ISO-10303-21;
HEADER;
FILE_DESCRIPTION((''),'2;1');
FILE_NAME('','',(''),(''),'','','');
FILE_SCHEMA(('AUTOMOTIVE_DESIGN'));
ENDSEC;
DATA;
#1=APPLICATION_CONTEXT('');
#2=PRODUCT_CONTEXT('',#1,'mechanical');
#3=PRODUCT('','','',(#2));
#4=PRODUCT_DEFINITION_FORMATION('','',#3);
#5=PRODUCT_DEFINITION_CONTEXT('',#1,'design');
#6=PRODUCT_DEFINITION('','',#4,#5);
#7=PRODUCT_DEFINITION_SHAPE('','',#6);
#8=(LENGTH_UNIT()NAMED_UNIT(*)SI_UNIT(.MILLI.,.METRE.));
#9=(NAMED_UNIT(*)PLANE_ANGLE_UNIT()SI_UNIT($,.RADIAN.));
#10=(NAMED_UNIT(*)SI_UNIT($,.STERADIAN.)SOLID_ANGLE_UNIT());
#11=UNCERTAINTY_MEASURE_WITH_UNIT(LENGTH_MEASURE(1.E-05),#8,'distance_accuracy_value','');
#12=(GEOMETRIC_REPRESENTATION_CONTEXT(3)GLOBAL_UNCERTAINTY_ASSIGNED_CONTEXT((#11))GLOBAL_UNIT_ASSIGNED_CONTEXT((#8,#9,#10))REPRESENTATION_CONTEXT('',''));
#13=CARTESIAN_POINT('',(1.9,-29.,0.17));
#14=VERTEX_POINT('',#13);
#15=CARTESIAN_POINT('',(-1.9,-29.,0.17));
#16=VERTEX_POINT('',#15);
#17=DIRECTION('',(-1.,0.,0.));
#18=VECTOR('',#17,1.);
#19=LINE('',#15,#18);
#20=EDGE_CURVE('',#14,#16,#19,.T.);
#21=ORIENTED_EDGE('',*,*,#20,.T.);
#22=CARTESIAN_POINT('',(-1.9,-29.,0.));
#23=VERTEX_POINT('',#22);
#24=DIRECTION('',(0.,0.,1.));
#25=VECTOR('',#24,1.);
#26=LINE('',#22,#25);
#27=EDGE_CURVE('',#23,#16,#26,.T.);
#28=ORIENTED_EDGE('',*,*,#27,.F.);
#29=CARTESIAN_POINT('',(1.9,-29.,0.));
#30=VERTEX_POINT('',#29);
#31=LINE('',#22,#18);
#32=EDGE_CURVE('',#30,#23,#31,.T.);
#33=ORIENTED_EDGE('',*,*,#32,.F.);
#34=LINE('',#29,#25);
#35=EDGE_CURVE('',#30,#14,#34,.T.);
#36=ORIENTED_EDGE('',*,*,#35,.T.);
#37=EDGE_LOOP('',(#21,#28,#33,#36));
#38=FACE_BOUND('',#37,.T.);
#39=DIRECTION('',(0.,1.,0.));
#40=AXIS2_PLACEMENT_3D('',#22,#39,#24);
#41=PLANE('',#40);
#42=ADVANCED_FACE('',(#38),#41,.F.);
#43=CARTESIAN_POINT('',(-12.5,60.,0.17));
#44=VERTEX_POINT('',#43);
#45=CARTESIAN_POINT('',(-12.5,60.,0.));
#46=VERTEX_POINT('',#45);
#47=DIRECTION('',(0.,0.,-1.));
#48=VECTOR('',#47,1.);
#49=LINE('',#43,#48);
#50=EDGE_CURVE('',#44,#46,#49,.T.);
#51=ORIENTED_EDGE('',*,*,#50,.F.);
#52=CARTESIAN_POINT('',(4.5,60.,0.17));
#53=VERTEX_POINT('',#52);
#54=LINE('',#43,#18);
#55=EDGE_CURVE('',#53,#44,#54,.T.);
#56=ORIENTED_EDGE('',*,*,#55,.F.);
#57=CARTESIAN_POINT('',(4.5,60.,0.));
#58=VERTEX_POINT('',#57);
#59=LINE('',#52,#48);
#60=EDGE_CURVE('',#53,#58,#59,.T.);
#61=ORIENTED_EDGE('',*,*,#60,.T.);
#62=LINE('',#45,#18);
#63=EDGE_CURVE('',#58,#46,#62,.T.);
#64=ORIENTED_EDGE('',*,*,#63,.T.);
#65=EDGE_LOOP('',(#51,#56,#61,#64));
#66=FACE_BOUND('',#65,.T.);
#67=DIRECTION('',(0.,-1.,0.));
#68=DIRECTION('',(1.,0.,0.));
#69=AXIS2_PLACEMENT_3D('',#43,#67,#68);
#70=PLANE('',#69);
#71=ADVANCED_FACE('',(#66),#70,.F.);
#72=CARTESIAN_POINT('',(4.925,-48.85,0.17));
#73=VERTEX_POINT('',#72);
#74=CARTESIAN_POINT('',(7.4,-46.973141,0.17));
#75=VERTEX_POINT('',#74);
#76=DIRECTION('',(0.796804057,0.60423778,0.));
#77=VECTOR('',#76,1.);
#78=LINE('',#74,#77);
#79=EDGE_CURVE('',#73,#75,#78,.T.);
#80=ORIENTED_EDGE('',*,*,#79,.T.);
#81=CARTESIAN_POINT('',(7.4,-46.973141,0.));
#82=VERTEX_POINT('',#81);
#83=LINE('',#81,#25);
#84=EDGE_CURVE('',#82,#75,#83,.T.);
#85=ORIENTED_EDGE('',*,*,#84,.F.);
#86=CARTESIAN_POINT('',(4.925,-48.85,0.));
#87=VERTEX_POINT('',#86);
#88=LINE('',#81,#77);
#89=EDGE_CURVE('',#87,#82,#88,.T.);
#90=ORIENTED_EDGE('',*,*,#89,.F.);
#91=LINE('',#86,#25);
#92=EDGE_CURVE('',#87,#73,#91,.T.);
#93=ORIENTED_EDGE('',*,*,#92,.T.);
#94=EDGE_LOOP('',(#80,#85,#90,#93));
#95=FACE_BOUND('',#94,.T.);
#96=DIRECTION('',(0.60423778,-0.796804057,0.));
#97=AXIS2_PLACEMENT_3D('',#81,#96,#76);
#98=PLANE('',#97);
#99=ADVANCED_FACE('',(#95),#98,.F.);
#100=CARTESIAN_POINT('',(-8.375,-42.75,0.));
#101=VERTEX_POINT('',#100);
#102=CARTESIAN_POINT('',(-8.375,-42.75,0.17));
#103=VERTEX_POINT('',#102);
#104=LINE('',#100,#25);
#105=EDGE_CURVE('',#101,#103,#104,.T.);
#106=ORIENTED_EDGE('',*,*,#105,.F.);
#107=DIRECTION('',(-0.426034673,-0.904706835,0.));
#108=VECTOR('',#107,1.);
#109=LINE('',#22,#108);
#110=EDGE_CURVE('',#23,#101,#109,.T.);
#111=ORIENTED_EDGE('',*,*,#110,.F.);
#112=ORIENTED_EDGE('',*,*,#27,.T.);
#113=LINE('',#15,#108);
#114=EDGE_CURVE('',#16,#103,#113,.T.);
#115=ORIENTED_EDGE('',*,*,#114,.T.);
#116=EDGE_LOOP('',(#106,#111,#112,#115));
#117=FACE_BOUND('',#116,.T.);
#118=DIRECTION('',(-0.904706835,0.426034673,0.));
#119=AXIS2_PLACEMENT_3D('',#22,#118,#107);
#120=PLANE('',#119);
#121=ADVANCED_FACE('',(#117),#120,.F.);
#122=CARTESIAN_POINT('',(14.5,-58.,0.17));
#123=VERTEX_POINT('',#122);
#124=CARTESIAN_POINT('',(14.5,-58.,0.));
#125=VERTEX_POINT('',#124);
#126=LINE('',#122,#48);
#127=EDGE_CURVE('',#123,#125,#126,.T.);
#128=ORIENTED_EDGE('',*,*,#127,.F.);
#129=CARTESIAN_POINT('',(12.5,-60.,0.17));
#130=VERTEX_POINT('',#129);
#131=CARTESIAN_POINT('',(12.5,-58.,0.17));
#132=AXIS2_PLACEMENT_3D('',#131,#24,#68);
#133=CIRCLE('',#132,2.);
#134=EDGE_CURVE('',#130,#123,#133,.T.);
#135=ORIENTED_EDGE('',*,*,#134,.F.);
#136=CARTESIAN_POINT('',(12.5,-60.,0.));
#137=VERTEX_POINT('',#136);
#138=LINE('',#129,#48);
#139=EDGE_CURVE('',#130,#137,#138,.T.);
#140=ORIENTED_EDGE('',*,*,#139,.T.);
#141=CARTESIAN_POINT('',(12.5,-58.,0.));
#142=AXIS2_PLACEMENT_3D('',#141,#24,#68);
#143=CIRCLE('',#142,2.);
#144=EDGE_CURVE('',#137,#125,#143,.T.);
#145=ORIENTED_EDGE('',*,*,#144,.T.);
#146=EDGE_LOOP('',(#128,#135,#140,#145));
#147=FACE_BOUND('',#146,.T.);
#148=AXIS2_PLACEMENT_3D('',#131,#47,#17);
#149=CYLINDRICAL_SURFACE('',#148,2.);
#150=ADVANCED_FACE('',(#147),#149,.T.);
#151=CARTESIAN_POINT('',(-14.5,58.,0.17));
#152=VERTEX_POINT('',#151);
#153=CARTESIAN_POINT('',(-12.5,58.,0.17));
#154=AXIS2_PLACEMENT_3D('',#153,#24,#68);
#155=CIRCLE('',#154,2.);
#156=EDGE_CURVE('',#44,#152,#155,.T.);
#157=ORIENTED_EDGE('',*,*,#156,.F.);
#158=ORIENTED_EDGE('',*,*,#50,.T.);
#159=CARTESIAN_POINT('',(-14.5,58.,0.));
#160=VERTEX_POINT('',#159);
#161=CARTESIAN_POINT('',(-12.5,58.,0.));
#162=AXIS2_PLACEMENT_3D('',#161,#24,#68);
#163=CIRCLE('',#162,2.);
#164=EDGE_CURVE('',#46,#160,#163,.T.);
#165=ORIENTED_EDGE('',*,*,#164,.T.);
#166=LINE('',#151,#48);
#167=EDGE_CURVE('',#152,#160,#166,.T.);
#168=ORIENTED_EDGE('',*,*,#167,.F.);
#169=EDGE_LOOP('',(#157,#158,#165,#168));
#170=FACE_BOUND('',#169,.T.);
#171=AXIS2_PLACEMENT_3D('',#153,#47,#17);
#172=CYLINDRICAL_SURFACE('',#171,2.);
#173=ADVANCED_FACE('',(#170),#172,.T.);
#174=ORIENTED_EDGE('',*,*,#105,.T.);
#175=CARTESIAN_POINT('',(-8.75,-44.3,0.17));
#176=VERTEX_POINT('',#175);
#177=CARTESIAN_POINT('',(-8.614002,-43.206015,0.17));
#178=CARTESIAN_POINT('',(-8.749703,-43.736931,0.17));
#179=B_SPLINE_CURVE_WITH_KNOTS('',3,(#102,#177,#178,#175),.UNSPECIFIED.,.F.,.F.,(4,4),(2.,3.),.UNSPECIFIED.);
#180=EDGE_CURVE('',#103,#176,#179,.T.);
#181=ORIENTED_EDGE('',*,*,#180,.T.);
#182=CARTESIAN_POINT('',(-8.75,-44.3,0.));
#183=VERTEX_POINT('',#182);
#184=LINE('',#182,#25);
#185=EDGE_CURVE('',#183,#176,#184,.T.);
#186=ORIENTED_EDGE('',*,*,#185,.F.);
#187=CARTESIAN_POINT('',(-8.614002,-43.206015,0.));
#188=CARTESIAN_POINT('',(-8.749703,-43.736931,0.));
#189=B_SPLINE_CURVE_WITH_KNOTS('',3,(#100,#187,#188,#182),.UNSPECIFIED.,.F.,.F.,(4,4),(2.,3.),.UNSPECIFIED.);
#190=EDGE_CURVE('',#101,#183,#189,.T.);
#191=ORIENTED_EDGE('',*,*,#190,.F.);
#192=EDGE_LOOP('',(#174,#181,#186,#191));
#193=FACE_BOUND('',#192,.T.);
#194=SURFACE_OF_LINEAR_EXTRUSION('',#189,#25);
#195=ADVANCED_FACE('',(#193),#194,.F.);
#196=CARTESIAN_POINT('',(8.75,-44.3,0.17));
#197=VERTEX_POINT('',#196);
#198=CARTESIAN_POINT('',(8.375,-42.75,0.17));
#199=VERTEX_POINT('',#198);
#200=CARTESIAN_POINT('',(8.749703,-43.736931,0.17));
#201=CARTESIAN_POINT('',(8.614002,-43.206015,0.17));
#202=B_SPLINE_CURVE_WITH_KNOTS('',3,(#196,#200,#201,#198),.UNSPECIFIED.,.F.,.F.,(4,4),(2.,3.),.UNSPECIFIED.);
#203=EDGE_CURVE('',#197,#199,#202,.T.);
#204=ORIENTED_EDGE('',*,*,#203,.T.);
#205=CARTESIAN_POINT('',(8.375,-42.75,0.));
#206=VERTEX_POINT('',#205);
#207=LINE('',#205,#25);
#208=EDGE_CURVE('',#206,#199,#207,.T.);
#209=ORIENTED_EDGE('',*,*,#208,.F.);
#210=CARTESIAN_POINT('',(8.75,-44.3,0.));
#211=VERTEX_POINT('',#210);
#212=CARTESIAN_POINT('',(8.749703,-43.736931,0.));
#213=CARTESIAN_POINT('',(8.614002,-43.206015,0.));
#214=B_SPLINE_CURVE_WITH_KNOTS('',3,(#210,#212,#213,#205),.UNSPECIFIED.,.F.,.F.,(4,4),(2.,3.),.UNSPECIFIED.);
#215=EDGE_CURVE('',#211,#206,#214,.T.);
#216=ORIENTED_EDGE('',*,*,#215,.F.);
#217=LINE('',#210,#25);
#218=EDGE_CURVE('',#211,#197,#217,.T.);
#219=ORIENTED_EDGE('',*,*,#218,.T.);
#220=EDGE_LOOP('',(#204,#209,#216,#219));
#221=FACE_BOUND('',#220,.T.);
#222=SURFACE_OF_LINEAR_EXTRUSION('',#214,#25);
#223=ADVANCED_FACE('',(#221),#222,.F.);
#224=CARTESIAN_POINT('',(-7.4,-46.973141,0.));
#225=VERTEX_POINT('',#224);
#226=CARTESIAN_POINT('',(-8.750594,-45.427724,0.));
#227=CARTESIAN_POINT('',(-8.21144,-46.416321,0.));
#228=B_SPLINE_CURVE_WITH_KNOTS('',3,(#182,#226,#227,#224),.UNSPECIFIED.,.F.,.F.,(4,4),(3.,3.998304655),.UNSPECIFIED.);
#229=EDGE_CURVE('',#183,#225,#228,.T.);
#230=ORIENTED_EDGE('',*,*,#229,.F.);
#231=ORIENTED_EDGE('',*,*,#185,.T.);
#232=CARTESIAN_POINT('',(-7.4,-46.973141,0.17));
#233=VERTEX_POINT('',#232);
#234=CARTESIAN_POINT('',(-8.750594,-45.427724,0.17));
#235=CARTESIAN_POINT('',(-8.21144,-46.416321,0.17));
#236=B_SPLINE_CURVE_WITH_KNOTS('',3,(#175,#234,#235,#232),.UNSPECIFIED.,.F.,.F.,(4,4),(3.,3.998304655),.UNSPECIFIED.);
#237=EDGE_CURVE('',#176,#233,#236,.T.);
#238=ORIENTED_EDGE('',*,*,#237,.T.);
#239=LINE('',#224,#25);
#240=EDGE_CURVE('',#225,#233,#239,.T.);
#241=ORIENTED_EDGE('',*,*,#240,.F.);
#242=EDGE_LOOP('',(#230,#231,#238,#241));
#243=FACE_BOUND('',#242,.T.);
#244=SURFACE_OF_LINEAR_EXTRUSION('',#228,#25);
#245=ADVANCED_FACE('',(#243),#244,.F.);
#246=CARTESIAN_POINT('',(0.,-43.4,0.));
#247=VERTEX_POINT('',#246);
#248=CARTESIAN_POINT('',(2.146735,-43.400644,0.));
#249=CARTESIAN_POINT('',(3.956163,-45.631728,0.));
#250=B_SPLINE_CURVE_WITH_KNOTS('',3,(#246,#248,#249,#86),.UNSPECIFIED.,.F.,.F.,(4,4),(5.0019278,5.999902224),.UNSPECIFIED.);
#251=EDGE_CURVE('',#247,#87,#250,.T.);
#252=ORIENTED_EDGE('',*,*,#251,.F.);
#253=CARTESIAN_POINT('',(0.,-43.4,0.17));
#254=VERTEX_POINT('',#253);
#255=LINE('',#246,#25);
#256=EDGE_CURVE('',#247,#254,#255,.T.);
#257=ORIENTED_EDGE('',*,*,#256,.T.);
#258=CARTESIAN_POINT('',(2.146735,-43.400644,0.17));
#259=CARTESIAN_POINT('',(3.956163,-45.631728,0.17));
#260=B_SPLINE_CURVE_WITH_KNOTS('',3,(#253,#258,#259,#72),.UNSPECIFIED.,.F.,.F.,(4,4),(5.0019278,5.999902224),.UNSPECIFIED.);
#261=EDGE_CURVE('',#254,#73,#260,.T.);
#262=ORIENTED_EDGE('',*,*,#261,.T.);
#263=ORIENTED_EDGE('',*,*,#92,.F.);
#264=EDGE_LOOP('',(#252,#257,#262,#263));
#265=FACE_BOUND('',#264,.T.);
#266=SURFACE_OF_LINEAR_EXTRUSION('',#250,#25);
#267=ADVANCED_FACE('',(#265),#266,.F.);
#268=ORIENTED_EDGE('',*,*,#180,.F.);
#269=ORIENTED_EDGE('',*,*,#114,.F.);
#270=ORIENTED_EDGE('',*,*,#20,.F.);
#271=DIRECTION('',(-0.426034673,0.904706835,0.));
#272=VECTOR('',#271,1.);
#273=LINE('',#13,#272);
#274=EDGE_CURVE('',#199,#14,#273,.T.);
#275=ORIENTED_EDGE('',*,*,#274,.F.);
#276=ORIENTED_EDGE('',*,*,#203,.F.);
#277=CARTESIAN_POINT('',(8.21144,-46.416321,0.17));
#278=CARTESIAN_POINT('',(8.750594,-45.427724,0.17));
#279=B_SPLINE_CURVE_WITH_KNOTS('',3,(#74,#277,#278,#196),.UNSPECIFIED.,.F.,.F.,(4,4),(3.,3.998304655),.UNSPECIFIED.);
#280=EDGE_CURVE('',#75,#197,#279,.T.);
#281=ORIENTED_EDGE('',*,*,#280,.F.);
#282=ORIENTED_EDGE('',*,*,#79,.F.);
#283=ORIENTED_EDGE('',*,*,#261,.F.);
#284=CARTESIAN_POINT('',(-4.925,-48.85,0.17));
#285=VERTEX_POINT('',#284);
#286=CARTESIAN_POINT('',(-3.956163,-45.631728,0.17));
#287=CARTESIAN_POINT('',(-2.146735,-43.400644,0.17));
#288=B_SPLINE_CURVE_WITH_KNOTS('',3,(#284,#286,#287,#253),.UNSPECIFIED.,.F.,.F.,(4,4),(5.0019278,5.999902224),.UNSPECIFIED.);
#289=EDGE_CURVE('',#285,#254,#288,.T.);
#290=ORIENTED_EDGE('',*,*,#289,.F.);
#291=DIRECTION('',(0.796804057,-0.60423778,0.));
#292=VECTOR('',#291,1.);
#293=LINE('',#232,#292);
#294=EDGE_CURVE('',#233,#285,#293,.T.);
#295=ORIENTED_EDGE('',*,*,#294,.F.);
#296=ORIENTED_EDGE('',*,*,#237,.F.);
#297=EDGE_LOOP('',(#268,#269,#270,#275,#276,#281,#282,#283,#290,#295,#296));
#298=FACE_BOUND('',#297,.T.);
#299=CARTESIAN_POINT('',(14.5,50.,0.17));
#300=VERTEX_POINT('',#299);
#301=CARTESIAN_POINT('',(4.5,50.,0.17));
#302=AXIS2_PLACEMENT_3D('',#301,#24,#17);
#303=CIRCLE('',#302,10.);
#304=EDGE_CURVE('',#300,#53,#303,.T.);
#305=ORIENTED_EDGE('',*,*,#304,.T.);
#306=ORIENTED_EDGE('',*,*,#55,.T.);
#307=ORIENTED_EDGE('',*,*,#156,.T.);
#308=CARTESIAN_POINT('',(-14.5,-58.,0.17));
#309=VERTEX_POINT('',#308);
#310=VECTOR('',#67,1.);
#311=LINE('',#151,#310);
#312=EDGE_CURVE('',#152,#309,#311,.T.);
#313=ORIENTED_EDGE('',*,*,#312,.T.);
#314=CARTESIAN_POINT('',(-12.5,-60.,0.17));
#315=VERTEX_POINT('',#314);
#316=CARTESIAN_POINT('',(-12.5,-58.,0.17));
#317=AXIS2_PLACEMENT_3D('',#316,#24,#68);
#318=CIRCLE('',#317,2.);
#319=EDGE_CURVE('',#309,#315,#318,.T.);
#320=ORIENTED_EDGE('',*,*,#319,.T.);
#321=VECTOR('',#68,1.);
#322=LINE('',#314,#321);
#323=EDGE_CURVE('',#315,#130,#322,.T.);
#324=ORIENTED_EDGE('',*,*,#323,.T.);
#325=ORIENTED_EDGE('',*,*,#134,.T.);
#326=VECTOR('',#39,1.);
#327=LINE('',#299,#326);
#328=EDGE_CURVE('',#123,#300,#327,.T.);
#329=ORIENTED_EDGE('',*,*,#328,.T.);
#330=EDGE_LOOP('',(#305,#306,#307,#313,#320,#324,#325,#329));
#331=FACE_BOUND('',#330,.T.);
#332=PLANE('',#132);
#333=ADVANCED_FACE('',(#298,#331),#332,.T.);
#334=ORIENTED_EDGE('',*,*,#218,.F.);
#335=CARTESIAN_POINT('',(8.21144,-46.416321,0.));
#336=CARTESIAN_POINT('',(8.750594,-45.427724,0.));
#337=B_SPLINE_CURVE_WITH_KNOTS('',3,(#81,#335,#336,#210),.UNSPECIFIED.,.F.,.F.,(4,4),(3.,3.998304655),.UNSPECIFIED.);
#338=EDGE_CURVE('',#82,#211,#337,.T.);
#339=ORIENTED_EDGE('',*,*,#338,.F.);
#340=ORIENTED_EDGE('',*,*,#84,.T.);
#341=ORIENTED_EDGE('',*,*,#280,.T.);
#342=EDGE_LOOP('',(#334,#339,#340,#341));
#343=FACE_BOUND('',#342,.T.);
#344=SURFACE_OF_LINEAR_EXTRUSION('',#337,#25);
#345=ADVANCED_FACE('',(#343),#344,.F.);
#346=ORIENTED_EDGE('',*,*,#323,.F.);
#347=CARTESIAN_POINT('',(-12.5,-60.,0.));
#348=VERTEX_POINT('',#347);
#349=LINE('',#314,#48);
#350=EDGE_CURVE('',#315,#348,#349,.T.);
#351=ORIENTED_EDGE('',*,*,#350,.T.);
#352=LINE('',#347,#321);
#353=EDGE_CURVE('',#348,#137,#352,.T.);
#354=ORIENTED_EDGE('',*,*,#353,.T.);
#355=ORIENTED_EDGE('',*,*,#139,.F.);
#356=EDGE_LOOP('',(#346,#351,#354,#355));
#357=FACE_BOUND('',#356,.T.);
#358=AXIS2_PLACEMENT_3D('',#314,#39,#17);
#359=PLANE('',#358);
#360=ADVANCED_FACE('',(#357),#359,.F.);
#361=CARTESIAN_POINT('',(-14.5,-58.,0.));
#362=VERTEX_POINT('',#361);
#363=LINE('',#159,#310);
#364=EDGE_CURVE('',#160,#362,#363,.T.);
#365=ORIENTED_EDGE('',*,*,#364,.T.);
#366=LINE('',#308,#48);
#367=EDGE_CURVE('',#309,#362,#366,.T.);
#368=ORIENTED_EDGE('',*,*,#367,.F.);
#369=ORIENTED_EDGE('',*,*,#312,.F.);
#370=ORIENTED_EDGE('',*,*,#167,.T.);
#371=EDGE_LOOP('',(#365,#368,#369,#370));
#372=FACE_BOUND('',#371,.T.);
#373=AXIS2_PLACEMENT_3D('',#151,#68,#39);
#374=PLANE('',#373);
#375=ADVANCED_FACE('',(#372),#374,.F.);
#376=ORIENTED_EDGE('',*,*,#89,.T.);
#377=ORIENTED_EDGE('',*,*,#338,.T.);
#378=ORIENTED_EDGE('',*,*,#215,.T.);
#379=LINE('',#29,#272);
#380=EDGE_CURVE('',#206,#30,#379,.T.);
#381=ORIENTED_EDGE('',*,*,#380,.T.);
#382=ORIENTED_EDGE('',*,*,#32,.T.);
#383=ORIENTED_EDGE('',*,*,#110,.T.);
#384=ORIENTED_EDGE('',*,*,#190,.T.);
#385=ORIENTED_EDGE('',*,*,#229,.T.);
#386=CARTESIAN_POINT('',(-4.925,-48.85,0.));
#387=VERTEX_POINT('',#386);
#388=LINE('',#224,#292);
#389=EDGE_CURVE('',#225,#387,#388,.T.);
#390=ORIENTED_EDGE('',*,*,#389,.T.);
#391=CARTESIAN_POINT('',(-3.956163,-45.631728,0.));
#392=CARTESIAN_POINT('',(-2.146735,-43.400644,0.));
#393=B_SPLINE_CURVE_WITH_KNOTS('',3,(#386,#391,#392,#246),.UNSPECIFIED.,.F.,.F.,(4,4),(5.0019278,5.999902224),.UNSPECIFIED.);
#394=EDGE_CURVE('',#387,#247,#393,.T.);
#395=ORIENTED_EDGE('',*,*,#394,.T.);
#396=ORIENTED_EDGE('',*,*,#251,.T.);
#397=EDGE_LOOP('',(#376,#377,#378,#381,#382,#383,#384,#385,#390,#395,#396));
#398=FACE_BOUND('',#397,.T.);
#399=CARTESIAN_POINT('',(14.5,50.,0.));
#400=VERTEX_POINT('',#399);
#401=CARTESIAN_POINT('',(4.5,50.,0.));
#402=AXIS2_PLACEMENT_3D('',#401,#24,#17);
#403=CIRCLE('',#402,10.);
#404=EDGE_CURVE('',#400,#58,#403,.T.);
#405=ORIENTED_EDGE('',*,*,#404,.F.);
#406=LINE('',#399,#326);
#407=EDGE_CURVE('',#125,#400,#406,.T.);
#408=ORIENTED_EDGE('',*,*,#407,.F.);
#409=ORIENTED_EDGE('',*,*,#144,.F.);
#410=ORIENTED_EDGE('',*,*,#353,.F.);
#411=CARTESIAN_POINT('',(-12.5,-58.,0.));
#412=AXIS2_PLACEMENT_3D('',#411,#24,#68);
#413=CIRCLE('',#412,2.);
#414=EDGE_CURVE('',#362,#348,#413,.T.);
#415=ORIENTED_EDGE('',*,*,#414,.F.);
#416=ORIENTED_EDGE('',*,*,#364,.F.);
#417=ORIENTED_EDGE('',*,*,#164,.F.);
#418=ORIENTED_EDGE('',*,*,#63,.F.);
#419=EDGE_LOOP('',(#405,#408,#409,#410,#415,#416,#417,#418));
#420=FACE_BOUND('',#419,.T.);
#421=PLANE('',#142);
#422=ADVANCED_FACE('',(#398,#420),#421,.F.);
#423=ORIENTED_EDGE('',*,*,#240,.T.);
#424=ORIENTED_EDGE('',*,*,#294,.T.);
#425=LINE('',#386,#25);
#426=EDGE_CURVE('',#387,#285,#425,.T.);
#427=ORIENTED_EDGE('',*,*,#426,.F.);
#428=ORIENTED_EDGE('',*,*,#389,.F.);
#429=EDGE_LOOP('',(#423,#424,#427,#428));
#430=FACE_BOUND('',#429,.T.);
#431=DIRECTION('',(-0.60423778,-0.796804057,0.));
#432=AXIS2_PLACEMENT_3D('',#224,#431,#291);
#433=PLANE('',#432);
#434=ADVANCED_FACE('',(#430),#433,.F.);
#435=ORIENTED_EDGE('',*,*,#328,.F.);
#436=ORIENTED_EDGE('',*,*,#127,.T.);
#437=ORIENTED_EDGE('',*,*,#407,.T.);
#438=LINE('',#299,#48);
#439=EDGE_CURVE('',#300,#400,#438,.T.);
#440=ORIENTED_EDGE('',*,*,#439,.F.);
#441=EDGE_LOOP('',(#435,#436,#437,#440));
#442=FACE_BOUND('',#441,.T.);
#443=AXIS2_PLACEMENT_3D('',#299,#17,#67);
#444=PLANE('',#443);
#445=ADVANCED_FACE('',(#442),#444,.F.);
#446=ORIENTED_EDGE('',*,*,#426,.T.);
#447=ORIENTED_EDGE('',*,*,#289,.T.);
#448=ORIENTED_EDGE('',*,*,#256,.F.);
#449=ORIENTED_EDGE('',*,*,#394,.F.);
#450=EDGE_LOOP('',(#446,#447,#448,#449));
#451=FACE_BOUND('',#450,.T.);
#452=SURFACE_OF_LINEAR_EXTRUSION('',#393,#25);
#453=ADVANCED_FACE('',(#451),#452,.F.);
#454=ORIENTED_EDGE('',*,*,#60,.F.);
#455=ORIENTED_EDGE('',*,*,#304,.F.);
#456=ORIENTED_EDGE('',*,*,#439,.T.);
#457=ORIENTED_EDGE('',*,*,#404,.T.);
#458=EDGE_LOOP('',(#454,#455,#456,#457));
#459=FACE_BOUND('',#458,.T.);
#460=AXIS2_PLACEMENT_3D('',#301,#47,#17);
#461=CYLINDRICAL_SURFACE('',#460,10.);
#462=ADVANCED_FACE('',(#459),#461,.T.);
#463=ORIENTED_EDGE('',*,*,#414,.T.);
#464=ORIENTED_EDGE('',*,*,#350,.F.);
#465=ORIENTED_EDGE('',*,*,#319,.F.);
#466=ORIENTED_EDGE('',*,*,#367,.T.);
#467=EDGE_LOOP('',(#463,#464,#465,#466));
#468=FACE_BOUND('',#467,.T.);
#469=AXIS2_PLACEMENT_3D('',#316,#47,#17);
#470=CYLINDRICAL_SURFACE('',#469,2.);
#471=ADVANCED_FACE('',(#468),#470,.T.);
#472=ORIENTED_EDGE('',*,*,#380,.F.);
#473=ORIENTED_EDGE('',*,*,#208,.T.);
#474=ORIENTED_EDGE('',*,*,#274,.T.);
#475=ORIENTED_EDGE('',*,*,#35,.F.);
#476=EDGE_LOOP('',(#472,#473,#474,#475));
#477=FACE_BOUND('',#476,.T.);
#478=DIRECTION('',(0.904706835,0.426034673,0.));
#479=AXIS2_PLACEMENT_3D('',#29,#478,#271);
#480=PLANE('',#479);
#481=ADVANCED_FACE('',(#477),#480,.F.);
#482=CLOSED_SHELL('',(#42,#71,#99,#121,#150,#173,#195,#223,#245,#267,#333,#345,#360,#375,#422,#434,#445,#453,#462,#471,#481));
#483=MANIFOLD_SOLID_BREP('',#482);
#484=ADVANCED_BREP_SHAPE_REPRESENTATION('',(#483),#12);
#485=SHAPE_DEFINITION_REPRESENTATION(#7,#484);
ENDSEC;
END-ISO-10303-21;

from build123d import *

# Parameters (mm, degrees)
BOSS_EXTRUDE6_DEPTH = 0.17
CUT_EXTRUDE4_DEPTH  = 62.727456614


with BuildPart() as part:
    # Sketch20 → Boss-Extrude6 (new body)
    with BuildSketch(Plane.XY):
        with BuildLine():
            Line((-12.5, 60), (4.5, 60))
            ThreePointArc((4.5, 60), (11.571067812, 57.071067812), (14.5, 50))
            Line((14.5, 50), (14.5, -58))
            ThreePointArc((14.5, -58), (13.914213562, -59.414213562), (12.5, -60))
            Line((12.5, -60), (-12.5, -60))
            ThreePointArc((-12.5, -60), (-13.914213562, -59.414213562), (-14.5, -58))
            Line((-14.5, -58), (-14.5, 58))
            ThreePointArc((-14.5, 58), (-13.914213562, 59.414213562), (-12.5, 60))
        make_face()
    extrude(amount=BOSS_EXTRUDE6_DEPTH)

    # Sketch14 → Cut-Extrude4 (cut, through all)
    with BuildSketch(Plane.XY.offset(0.17)):
        with BuildLine():
            Line((-1.9, -29), (1.9, -29))
            Line((1.9, -29), (8.375, -42.75))
            add(Edge.make_bspline(
                [(8.375, -42.75), (8.614001568, -43.20601542), (8.749703343, -43.736930638), (8.75, -44.3)],
                knots=[2, 2, 2, 2, 3, 3, 3, 3], degree=3))
            add(Edge.make_bspline(
                [(8.75, -44.3), (8.75059415, -45.427724457), (8.211440188, -46.416320927), (7.4, -46.97314145)],
                knots=[3, 3, 3, 3, 3.998304655, 3.998304655, 3.998304655, 3.998304655], degree=3))
            Line((7.4, -46.97314145), (4.925, -48.85))
            add(Edge.make_bspline(
                [(4.925, -48.85), (3.956162506, -45.631727685), (2.146734918, -43.400643505), (0, -43.4)],
                knots=[5.0019278, 5.0019278, 5.0019278, 5.0019278, 5.999902224, 5.999902224, 5.999902224, 5.999902224], degree=3))
            add(Edge.make_bspline(
                [(-4.925, -48.85), (-3.956162506, -45.631727685), (-2.146734918, -43.400643505), (0, -43.4)],
                knots=[5.0019278, 5.0019278, 5.0019278, 5.0019278, 5.999902224, 5.999902224, 5.999902224, 5.999902224], degree=3))
            Line((-4.925, -48.85), (-7.4, -46.97314145))
            add(Edge.make_bspline(
                [(-8.75, -44.3), (-8.75059415, -45.427724457), (-8.211440188, -46.416320927), (-7.4, -46.97314145)],
                knots=[3, 3, 3, 3, 3.998304655, 3.998304655, 3.998304655, 3.998304655], degree=3))
            add(Edge.make_bspline(
                [(-8.375, -42.75), (-8.614001568, -43.20601542), (-8.749703343, -43.736930638), (-8.75, -44.3)],
                knots=[2, 2, 2, 2, 3, 3, 3, 3], degree=3))
            Line((-8.375, -42.75), (-1.9, -29))
        make_face()
    extrude(amount=-CUT_EXTRUDE4_DEPTH, mode=Mode.SUBTRACT)


solid = part.part
